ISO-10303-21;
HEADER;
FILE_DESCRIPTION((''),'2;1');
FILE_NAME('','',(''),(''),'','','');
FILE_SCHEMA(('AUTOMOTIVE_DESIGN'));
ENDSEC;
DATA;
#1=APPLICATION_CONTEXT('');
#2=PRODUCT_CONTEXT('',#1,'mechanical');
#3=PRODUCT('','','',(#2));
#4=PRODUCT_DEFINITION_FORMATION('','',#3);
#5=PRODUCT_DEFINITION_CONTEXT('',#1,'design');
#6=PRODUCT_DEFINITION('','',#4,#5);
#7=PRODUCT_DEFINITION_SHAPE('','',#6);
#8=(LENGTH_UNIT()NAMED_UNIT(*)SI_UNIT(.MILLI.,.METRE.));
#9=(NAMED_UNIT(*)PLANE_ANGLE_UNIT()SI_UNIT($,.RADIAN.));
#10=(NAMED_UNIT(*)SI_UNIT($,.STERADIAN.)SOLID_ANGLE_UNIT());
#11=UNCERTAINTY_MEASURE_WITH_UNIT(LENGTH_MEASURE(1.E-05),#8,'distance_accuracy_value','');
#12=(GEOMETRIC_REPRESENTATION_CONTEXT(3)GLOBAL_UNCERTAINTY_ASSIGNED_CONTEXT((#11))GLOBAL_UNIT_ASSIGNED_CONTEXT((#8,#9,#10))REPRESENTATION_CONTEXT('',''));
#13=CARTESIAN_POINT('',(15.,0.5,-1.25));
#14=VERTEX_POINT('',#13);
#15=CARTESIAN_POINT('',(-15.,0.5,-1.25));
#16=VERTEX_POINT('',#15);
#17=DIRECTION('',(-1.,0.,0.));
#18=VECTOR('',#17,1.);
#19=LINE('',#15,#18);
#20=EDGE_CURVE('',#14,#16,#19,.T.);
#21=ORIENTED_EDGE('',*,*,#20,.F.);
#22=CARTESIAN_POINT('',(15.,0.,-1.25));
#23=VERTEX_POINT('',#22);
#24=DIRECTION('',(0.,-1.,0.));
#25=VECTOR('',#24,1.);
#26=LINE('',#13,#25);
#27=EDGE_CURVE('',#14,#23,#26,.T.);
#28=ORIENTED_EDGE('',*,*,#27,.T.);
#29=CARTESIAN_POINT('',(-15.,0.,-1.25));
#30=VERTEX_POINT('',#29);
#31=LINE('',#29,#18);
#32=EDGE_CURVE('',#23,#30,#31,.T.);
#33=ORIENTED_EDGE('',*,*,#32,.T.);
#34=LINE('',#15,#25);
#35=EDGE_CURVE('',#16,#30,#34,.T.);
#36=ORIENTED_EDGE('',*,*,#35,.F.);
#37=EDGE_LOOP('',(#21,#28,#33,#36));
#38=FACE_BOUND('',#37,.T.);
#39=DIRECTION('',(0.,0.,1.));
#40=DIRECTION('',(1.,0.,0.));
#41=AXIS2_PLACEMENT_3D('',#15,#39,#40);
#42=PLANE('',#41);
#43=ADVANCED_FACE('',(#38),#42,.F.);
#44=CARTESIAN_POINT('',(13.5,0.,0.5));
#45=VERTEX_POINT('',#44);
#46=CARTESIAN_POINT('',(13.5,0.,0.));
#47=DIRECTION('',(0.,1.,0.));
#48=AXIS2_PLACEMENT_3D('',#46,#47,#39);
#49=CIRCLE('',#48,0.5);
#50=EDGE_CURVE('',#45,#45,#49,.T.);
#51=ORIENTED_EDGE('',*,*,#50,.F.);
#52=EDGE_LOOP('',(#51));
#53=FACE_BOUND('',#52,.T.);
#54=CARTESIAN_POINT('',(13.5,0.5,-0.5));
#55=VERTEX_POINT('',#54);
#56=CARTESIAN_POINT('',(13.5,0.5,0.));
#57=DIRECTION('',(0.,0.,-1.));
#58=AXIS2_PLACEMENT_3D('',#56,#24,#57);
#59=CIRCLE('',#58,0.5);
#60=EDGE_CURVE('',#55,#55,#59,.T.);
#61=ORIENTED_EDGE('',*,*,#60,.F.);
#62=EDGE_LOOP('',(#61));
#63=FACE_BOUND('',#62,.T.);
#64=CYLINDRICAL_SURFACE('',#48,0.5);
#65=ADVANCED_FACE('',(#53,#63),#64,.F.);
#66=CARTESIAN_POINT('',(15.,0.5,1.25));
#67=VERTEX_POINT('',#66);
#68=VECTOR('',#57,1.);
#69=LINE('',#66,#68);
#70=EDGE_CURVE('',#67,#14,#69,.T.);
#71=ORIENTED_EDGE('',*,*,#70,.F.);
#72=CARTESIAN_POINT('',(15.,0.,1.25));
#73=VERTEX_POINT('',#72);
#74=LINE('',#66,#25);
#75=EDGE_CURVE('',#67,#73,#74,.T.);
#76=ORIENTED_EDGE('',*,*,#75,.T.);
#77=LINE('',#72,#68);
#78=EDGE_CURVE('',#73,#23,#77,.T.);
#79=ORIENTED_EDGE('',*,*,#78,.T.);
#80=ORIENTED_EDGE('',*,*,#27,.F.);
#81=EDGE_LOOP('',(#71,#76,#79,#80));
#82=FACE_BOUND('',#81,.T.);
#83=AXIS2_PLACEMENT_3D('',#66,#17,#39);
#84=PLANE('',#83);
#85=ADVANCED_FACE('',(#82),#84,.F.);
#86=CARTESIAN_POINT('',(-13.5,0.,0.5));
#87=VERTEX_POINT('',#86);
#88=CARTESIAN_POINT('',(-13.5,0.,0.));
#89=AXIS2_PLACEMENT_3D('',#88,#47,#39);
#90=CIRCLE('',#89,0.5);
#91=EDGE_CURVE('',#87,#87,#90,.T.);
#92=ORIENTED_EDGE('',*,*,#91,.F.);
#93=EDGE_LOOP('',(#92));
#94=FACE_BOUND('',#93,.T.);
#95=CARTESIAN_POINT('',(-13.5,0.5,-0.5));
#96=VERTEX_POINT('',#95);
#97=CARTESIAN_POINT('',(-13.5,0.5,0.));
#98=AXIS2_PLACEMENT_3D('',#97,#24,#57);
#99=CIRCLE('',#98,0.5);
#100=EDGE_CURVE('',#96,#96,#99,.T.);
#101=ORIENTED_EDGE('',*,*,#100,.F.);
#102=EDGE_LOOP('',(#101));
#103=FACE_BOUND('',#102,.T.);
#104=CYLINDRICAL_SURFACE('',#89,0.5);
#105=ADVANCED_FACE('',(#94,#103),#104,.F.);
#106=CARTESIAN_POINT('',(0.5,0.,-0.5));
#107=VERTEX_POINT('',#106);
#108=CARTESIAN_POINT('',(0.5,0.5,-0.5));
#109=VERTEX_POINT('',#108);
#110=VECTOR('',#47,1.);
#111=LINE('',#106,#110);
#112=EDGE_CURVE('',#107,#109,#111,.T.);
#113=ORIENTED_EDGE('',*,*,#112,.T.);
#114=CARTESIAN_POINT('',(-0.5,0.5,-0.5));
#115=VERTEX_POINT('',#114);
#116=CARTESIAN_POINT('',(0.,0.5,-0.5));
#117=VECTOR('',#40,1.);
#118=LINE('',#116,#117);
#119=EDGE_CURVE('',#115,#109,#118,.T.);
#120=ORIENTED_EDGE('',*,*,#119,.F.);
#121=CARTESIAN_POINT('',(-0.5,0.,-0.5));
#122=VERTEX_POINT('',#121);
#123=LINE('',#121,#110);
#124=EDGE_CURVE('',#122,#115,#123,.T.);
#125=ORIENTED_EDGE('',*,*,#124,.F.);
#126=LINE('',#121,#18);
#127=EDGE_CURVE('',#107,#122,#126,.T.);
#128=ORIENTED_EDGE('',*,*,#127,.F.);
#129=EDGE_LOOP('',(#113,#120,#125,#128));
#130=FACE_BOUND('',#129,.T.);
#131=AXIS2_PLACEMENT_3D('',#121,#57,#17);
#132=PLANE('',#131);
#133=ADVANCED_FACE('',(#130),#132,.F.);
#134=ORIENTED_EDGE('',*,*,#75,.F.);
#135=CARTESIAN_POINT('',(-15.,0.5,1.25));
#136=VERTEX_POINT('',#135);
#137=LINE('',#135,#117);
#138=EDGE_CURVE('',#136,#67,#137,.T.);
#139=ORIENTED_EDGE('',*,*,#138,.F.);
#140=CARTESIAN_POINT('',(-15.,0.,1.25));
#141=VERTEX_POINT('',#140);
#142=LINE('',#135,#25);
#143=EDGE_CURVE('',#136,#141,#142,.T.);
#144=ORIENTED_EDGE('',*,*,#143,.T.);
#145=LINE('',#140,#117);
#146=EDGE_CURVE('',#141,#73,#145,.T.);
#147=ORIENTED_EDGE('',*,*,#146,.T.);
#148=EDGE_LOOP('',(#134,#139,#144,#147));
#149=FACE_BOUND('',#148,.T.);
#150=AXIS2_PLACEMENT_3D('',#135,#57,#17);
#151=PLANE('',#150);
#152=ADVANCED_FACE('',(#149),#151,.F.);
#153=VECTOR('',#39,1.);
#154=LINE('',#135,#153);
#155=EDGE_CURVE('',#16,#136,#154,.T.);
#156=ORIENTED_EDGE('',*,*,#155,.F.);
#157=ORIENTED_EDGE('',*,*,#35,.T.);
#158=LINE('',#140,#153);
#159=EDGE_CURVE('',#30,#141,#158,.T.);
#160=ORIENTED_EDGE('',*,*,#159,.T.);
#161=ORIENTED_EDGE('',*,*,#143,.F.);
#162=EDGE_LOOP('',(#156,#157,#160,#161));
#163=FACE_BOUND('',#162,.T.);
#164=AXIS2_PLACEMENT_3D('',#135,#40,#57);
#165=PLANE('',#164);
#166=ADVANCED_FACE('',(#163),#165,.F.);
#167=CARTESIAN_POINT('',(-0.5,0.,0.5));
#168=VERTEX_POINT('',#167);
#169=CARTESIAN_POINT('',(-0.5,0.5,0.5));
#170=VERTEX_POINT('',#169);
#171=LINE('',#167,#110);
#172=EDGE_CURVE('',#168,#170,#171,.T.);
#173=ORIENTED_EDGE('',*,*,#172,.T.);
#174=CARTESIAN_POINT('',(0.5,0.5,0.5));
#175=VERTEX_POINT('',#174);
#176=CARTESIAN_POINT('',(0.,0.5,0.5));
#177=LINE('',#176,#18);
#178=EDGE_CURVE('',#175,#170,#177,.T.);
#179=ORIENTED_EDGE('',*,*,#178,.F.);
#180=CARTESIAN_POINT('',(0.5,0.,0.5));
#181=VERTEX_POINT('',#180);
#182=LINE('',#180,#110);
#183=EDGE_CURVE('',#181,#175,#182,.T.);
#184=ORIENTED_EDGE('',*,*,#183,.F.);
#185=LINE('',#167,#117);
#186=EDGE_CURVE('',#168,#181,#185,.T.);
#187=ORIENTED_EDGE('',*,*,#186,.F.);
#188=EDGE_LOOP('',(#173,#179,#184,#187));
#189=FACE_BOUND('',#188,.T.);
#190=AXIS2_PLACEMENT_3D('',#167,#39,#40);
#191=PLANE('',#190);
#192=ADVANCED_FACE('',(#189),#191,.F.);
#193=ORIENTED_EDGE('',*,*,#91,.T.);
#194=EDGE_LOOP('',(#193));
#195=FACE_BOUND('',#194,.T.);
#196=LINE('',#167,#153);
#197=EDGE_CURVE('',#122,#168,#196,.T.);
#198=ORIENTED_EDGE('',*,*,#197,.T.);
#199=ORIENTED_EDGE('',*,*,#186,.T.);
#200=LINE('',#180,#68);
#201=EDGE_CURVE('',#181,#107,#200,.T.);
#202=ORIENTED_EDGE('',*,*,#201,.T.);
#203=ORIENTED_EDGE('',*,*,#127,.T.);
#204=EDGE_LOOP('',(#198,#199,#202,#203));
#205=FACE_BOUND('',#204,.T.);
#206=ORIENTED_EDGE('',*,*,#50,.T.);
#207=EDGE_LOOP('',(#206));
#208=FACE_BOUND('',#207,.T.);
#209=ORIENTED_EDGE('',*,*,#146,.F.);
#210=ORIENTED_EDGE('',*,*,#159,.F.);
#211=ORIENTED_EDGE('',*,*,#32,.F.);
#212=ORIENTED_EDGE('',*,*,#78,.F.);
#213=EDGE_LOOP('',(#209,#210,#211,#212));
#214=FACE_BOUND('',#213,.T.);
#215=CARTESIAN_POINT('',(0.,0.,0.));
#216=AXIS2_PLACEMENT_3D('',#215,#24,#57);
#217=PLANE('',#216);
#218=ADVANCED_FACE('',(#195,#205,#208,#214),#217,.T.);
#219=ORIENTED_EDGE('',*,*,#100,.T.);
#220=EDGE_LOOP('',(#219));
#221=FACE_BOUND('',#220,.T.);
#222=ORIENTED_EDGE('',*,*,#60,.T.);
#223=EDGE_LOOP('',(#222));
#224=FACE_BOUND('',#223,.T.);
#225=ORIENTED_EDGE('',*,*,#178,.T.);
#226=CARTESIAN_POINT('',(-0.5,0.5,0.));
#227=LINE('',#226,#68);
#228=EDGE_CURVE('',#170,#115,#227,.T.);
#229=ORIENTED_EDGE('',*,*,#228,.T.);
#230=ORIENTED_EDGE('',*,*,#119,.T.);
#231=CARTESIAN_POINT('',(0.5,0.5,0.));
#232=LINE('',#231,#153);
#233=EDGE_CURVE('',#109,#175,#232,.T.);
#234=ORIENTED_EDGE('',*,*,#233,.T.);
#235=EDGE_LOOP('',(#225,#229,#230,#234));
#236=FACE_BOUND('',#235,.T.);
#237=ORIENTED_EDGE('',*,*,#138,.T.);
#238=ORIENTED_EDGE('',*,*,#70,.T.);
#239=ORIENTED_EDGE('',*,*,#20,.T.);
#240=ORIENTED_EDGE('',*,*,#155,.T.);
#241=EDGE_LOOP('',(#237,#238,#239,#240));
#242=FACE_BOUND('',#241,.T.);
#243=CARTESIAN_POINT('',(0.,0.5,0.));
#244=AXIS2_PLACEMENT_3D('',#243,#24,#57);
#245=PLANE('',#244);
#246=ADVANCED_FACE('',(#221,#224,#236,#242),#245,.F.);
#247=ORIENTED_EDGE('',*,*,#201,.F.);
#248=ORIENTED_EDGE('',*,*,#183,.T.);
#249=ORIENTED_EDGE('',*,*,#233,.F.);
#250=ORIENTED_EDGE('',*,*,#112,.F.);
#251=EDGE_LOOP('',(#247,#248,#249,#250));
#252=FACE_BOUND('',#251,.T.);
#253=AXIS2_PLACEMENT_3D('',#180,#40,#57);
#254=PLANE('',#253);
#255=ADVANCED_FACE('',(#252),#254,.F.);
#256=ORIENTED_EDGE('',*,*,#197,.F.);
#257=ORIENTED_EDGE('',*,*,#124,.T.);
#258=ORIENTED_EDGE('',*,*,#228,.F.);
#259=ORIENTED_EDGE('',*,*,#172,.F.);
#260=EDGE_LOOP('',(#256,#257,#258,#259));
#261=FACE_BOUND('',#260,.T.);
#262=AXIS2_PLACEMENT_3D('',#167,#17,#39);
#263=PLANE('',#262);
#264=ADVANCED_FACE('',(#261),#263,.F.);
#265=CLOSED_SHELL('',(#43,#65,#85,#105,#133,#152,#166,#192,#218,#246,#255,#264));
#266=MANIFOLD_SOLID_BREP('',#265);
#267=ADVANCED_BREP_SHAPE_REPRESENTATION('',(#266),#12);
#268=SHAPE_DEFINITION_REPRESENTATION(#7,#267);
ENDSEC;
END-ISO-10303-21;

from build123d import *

# Parameters (mm, degrees)
SKETCH2_W               = 30
SKETCH2_H               = 2.5
BOSS_EXTRUDE1_DEPTH     = 0.5
CUT_EXTRUDE1_DEPTH      = 16.060295482
CUT_EXTRUDE1_DEPTH_BACK = 16.060295482
SKETCH3_R               = 0.5
SKETCH3_W               = 1
SKETCH3_H               = 1


with BuildPart() as part:
    # Sketch2 → Boss-Extrude1 (new body)
    with BuildSketch(Plane(origin=(0, 0, 0), x_dir=(1, 0, 0), z_dir=(0, 1, 0))):
        Rectangle(SKETCH2_W, SKETCH2_H)
    extrude(amount=BOSS_EXTRUDE1_DEPTH)

    # Sketch3 → Cut-Extrude1 (cut, two sides: drawn at the far end of the back side and taken through both)
    with BuildSketch(Plane(origin=(0, 0.5, 0), x_dir=(1, 0, 0), z_dir=(0, 1, 0)).offset(-CUT_EXTRUDE1_DEPTH_BACK)):
        with Locations(Location((-13.5, 0, 0), (0, 0, 270))):
            Circle(SKETCH3_R)
        with Locations(Location((13.5, 0, 0), (0, 0, 270))):
            Circle(SKETCH3_R)
        Rectangle(SKETCH3_W, SKETCH3_H)
    extrude(amount=CUT_EXTRUDE1_DEPTH + CUT_EXTRUDE1_DEPTH_BACK, mode=Mode.SUBTRACT)


solid = part.part
